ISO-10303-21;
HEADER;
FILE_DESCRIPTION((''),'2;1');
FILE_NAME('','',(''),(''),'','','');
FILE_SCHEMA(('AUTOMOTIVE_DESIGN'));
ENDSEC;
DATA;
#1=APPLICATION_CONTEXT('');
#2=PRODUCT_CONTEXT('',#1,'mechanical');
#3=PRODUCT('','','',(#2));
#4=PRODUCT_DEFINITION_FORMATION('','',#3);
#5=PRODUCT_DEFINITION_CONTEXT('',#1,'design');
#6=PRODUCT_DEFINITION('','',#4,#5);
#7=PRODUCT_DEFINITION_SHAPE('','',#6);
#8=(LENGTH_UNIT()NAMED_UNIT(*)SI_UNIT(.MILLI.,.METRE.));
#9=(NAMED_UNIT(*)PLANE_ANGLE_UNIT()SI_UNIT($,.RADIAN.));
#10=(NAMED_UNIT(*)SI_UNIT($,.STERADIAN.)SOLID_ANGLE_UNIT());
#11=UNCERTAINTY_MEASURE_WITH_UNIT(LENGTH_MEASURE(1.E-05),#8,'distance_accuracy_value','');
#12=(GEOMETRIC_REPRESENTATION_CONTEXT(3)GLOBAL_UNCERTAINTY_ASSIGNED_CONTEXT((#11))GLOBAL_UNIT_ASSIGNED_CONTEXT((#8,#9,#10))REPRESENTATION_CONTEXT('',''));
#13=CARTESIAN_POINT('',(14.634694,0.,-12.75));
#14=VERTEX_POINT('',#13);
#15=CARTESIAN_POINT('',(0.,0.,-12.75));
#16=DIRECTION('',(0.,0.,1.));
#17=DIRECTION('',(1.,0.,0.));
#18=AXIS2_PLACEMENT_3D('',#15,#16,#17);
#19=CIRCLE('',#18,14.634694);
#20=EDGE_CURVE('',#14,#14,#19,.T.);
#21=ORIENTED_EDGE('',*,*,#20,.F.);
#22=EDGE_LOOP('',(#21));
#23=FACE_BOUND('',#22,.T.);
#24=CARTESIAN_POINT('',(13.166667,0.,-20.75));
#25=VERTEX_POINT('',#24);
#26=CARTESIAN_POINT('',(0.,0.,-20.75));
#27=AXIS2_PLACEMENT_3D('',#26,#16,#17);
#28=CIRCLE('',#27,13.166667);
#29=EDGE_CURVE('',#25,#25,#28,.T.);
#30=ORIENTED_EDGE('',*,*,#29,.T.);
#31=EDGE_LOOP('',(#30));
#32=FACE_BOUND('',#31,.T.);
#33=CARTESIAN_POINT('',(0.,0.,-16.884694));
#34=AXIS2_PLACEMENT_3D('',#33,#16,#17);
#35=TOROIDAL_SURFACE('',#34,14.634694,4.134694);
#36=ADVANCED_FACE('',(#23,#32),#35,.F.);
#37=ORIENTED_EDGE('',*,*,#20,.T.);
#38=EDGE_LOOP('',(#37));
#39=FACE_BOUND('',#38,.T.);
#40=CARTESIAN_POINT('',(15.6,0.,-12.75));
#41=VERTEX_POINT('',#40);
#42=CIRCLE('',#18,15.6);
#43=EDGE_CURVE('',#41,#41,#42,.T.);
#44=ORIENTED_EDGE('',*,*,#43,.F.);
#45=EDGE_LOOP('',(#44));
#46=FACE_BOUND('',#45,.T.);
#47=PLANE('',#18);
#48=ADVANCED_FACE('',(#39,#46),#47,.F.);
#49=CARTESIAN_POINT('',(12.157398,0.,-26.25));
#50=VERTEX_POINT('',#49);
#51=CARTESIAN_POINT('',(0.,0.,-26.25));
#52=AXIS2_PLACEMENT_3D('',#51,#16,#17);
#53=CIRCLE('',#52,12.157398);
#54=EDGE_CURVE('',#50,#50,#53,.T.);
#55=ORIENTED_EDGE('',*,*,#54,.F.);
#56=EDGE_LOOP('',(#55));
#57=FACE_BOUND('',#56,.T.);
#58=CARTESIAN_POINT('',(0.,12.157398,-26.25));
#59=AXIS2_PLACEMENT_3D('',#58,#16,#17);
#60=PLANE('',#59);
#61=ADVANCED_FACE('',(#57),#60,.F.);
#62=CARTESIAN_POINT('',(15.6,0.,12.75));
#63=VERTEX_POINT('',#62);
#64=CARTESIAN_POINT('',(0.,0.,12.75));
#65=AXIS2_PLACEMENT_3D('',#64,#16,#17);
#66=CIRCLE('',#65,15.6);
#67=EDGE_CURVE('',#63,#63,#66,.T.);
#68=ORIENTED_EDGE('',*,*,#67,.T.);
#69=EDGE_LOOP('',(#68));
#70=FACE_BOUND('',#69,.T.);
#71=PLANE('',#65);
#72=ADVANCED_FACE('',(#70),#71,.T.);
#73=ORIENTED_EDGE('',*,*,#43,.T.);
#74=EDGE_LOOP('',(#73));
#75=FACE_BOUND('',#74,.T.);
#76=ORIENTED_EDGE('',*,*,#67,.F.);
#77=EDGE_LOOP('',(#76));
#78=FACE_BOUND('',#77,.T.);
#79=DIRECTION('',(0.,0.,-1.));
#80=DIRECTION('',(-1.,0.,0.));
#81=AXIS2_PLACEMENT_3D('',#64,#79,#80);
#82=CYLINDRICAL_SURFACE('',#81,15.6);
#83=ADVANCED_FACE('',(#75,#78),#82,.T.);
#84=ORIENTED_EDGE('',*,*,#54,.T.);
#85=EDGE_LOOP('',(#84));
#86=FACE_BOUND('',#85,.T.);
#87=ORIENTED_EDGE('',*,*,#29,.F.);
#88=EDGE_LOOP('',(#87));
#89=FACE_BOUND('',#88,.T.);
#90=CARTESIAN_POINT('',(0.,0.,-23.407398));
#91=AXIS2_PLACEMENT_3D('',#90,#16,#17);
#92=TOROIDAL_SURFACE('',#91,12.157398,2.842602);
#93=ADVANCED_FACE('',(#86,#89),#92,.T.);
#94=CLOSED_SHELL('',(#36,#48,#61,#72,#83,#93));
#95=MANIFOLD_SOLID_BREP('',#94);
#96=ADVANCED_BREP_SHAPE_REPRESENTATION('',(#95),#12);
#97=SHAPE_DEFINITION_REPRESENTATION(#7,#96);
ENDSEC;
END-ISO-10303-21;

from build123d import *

# Parameters (mm, degrees)
SKETCH1_R           = 15.6
BOSS_EXTRUDE1_DEPTH = 12.75


with BuildPart() as part:
    # Sketch1 → Boss-Extrude1 (new, symmetric)
    with BuildSketch(Plane.XY):
        Circle(SKETCH1_R)
    extrude(amount=BOSS_EXTRUDE1_DEPTH, both=True)

    # Sketch2 → Revolve1 (revolve)
    with BuildSketch(Plane(origin=(0, 0, 0), x_dir=(0, 0, -1), z_dir=(1, 0, 0)), mode=Mode.PRIVATE) as revolve1_sk:
        with BuildLine():
            Line((12.75, 0), (20.75, 0))
            Line((20.75, 0), (26.25, 0))
            Line((26.25, 0), (26.25, 12.157397862))
            ThreePointArc((26.25, 12.157397862), (23.920458322, 14.953315579), (20.75, 13.166666667))
            ThreePointArc((20.75, 13.166666667), (16.138424259, 10.567904613), (12.75, 14.634694019))
            Line((12.75, 14.634694019), (12.75, 0))
        make_face()
    revolve(revolve1_sk.sketch.rotate(Axis((0, 0, -12.75), (0, 0, -1)), 90), axis=Axis((0, 0, -12.75), (0, 0, -1)))


solid = part.part
